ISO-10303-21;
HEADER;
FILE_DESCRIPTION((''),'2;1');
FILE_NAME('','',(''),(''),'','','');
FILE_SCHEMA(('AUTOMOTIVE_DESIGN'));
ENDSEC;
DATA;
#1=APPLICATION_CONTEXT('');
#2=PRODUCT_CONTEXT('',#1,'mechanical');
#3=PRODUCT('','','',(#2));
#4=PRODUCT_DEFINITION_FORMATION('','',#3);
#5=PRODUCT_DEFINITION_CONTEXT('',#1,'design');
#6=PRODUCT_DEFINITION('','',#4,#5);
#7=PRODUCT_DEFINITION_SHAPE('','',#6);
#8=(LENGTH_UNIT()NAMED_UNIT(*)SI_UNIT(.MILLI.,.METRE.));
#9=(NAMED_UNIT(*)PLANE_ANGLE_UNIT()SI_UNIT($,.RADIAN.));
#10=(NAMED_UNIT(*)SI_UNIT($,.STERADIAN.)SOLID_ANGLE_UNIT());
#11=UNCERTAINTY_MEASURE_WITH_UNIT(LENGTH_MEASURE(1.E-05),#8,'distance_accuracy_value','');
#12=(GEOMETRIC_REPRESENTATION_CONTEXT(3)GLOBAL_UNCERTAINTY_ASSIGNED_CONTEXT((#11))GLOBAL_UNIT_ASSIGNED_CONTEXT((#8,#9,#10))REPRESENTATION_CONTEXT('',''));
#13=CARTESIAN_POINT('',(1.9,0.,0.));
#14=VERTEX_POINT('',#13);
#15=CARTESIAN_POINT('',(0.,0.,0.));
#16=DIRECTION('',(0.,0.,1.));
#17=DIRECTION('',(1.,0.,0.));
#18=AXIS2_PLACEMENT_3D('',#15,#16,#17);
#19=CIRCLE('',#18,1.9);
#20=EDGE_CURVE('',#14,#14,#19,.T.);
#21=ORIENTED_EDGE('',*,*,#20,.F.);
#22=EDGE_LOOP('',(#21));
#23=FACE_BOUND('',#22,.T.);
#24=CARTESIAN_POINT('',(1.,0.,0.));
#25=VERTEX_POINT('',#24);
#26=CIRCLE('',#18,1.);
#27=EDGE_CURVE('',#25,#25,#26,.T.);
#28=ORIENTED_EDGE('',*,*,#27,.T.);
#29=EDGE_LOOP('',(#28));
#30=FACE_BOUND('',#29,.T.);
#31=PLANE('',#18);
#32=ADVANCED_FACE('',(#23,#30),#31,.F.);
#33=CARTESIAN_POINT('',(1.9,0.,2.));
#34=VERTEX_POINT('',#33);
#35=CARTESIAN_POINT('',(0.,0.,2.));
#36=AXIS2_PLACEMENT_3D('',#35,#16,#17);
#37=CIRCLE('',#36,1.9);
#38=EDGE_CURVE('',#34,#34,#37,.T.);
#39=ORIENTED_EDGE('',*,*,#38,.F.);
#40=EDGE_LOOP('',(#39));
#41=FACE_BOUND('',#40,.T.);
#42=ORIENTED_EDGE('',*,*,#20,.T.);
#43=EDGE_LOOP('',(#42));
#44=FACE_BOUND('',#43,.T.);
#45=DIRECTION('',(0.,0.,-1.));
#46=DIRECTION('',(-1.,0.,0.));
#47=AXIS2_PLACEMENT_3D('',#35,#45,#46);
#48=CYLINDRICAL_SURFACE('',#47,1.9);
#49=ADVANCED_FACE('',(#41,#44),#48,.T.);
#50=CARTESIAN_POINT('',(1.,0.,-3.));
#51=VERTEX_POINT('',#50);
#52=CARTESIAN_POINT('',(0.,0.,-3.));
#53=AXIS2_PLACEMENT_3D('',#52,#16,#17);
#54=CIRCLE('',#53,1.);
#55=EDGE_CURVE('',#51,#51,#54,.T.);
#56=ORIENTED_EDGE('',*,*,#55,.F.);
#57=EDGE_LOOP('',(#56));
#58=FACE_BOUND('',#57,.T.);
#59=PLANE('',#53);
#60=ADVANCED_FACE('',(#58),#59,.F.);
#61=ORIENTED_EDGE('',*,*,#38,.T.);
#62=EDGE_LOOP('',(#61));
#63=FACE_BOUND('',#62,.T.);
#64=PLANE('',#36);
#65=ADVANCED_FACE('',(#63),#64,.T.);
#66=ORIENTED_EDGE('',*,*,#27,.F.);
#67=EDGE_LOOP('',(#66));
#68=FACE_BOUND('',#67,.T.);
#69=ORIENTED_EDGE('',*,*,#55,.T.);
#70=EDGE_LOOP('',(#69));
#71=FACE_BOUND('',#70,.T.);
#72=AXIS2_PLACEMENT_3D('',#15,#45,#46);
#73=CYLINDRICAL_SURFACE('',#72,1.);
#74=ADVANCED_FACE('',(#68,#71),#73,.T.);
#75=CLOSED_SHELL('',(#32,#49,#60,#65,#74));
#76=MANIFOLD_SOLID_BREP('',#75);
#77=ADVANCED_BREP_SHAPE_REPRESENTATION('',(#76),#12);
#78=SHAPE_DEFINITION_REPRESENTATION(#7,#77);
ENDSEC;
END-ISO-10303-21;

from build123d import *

# Parameters (mm, degrees)
THREAD_ENVELOPE_START = -3
SKETCH1_R             = 1
THREAD_ENVELOPE_DEPTH = 3
SKETCH2_R             = 1.9
HEAD_ENVELOPE_DEPTH   = 2


with BuildPart() as part:
    # Sketch1 → Thread_Envelope (new body)
    with BuildSketch(Plane.XY.offset(THREAD_ENVELOPE_START)):
        Circle(SKETCH1_R)
    extrude(amount=THREAD_ENVELOPE_DEPTH)

    # Sketch2 → Head_Envelope (add)
    with BuildSketch(Plane.XY):
        Circle(SKETCH2_R)
    extrude(amount=HEAD_ENVELOPE_DEPTH)


solid = part.part
